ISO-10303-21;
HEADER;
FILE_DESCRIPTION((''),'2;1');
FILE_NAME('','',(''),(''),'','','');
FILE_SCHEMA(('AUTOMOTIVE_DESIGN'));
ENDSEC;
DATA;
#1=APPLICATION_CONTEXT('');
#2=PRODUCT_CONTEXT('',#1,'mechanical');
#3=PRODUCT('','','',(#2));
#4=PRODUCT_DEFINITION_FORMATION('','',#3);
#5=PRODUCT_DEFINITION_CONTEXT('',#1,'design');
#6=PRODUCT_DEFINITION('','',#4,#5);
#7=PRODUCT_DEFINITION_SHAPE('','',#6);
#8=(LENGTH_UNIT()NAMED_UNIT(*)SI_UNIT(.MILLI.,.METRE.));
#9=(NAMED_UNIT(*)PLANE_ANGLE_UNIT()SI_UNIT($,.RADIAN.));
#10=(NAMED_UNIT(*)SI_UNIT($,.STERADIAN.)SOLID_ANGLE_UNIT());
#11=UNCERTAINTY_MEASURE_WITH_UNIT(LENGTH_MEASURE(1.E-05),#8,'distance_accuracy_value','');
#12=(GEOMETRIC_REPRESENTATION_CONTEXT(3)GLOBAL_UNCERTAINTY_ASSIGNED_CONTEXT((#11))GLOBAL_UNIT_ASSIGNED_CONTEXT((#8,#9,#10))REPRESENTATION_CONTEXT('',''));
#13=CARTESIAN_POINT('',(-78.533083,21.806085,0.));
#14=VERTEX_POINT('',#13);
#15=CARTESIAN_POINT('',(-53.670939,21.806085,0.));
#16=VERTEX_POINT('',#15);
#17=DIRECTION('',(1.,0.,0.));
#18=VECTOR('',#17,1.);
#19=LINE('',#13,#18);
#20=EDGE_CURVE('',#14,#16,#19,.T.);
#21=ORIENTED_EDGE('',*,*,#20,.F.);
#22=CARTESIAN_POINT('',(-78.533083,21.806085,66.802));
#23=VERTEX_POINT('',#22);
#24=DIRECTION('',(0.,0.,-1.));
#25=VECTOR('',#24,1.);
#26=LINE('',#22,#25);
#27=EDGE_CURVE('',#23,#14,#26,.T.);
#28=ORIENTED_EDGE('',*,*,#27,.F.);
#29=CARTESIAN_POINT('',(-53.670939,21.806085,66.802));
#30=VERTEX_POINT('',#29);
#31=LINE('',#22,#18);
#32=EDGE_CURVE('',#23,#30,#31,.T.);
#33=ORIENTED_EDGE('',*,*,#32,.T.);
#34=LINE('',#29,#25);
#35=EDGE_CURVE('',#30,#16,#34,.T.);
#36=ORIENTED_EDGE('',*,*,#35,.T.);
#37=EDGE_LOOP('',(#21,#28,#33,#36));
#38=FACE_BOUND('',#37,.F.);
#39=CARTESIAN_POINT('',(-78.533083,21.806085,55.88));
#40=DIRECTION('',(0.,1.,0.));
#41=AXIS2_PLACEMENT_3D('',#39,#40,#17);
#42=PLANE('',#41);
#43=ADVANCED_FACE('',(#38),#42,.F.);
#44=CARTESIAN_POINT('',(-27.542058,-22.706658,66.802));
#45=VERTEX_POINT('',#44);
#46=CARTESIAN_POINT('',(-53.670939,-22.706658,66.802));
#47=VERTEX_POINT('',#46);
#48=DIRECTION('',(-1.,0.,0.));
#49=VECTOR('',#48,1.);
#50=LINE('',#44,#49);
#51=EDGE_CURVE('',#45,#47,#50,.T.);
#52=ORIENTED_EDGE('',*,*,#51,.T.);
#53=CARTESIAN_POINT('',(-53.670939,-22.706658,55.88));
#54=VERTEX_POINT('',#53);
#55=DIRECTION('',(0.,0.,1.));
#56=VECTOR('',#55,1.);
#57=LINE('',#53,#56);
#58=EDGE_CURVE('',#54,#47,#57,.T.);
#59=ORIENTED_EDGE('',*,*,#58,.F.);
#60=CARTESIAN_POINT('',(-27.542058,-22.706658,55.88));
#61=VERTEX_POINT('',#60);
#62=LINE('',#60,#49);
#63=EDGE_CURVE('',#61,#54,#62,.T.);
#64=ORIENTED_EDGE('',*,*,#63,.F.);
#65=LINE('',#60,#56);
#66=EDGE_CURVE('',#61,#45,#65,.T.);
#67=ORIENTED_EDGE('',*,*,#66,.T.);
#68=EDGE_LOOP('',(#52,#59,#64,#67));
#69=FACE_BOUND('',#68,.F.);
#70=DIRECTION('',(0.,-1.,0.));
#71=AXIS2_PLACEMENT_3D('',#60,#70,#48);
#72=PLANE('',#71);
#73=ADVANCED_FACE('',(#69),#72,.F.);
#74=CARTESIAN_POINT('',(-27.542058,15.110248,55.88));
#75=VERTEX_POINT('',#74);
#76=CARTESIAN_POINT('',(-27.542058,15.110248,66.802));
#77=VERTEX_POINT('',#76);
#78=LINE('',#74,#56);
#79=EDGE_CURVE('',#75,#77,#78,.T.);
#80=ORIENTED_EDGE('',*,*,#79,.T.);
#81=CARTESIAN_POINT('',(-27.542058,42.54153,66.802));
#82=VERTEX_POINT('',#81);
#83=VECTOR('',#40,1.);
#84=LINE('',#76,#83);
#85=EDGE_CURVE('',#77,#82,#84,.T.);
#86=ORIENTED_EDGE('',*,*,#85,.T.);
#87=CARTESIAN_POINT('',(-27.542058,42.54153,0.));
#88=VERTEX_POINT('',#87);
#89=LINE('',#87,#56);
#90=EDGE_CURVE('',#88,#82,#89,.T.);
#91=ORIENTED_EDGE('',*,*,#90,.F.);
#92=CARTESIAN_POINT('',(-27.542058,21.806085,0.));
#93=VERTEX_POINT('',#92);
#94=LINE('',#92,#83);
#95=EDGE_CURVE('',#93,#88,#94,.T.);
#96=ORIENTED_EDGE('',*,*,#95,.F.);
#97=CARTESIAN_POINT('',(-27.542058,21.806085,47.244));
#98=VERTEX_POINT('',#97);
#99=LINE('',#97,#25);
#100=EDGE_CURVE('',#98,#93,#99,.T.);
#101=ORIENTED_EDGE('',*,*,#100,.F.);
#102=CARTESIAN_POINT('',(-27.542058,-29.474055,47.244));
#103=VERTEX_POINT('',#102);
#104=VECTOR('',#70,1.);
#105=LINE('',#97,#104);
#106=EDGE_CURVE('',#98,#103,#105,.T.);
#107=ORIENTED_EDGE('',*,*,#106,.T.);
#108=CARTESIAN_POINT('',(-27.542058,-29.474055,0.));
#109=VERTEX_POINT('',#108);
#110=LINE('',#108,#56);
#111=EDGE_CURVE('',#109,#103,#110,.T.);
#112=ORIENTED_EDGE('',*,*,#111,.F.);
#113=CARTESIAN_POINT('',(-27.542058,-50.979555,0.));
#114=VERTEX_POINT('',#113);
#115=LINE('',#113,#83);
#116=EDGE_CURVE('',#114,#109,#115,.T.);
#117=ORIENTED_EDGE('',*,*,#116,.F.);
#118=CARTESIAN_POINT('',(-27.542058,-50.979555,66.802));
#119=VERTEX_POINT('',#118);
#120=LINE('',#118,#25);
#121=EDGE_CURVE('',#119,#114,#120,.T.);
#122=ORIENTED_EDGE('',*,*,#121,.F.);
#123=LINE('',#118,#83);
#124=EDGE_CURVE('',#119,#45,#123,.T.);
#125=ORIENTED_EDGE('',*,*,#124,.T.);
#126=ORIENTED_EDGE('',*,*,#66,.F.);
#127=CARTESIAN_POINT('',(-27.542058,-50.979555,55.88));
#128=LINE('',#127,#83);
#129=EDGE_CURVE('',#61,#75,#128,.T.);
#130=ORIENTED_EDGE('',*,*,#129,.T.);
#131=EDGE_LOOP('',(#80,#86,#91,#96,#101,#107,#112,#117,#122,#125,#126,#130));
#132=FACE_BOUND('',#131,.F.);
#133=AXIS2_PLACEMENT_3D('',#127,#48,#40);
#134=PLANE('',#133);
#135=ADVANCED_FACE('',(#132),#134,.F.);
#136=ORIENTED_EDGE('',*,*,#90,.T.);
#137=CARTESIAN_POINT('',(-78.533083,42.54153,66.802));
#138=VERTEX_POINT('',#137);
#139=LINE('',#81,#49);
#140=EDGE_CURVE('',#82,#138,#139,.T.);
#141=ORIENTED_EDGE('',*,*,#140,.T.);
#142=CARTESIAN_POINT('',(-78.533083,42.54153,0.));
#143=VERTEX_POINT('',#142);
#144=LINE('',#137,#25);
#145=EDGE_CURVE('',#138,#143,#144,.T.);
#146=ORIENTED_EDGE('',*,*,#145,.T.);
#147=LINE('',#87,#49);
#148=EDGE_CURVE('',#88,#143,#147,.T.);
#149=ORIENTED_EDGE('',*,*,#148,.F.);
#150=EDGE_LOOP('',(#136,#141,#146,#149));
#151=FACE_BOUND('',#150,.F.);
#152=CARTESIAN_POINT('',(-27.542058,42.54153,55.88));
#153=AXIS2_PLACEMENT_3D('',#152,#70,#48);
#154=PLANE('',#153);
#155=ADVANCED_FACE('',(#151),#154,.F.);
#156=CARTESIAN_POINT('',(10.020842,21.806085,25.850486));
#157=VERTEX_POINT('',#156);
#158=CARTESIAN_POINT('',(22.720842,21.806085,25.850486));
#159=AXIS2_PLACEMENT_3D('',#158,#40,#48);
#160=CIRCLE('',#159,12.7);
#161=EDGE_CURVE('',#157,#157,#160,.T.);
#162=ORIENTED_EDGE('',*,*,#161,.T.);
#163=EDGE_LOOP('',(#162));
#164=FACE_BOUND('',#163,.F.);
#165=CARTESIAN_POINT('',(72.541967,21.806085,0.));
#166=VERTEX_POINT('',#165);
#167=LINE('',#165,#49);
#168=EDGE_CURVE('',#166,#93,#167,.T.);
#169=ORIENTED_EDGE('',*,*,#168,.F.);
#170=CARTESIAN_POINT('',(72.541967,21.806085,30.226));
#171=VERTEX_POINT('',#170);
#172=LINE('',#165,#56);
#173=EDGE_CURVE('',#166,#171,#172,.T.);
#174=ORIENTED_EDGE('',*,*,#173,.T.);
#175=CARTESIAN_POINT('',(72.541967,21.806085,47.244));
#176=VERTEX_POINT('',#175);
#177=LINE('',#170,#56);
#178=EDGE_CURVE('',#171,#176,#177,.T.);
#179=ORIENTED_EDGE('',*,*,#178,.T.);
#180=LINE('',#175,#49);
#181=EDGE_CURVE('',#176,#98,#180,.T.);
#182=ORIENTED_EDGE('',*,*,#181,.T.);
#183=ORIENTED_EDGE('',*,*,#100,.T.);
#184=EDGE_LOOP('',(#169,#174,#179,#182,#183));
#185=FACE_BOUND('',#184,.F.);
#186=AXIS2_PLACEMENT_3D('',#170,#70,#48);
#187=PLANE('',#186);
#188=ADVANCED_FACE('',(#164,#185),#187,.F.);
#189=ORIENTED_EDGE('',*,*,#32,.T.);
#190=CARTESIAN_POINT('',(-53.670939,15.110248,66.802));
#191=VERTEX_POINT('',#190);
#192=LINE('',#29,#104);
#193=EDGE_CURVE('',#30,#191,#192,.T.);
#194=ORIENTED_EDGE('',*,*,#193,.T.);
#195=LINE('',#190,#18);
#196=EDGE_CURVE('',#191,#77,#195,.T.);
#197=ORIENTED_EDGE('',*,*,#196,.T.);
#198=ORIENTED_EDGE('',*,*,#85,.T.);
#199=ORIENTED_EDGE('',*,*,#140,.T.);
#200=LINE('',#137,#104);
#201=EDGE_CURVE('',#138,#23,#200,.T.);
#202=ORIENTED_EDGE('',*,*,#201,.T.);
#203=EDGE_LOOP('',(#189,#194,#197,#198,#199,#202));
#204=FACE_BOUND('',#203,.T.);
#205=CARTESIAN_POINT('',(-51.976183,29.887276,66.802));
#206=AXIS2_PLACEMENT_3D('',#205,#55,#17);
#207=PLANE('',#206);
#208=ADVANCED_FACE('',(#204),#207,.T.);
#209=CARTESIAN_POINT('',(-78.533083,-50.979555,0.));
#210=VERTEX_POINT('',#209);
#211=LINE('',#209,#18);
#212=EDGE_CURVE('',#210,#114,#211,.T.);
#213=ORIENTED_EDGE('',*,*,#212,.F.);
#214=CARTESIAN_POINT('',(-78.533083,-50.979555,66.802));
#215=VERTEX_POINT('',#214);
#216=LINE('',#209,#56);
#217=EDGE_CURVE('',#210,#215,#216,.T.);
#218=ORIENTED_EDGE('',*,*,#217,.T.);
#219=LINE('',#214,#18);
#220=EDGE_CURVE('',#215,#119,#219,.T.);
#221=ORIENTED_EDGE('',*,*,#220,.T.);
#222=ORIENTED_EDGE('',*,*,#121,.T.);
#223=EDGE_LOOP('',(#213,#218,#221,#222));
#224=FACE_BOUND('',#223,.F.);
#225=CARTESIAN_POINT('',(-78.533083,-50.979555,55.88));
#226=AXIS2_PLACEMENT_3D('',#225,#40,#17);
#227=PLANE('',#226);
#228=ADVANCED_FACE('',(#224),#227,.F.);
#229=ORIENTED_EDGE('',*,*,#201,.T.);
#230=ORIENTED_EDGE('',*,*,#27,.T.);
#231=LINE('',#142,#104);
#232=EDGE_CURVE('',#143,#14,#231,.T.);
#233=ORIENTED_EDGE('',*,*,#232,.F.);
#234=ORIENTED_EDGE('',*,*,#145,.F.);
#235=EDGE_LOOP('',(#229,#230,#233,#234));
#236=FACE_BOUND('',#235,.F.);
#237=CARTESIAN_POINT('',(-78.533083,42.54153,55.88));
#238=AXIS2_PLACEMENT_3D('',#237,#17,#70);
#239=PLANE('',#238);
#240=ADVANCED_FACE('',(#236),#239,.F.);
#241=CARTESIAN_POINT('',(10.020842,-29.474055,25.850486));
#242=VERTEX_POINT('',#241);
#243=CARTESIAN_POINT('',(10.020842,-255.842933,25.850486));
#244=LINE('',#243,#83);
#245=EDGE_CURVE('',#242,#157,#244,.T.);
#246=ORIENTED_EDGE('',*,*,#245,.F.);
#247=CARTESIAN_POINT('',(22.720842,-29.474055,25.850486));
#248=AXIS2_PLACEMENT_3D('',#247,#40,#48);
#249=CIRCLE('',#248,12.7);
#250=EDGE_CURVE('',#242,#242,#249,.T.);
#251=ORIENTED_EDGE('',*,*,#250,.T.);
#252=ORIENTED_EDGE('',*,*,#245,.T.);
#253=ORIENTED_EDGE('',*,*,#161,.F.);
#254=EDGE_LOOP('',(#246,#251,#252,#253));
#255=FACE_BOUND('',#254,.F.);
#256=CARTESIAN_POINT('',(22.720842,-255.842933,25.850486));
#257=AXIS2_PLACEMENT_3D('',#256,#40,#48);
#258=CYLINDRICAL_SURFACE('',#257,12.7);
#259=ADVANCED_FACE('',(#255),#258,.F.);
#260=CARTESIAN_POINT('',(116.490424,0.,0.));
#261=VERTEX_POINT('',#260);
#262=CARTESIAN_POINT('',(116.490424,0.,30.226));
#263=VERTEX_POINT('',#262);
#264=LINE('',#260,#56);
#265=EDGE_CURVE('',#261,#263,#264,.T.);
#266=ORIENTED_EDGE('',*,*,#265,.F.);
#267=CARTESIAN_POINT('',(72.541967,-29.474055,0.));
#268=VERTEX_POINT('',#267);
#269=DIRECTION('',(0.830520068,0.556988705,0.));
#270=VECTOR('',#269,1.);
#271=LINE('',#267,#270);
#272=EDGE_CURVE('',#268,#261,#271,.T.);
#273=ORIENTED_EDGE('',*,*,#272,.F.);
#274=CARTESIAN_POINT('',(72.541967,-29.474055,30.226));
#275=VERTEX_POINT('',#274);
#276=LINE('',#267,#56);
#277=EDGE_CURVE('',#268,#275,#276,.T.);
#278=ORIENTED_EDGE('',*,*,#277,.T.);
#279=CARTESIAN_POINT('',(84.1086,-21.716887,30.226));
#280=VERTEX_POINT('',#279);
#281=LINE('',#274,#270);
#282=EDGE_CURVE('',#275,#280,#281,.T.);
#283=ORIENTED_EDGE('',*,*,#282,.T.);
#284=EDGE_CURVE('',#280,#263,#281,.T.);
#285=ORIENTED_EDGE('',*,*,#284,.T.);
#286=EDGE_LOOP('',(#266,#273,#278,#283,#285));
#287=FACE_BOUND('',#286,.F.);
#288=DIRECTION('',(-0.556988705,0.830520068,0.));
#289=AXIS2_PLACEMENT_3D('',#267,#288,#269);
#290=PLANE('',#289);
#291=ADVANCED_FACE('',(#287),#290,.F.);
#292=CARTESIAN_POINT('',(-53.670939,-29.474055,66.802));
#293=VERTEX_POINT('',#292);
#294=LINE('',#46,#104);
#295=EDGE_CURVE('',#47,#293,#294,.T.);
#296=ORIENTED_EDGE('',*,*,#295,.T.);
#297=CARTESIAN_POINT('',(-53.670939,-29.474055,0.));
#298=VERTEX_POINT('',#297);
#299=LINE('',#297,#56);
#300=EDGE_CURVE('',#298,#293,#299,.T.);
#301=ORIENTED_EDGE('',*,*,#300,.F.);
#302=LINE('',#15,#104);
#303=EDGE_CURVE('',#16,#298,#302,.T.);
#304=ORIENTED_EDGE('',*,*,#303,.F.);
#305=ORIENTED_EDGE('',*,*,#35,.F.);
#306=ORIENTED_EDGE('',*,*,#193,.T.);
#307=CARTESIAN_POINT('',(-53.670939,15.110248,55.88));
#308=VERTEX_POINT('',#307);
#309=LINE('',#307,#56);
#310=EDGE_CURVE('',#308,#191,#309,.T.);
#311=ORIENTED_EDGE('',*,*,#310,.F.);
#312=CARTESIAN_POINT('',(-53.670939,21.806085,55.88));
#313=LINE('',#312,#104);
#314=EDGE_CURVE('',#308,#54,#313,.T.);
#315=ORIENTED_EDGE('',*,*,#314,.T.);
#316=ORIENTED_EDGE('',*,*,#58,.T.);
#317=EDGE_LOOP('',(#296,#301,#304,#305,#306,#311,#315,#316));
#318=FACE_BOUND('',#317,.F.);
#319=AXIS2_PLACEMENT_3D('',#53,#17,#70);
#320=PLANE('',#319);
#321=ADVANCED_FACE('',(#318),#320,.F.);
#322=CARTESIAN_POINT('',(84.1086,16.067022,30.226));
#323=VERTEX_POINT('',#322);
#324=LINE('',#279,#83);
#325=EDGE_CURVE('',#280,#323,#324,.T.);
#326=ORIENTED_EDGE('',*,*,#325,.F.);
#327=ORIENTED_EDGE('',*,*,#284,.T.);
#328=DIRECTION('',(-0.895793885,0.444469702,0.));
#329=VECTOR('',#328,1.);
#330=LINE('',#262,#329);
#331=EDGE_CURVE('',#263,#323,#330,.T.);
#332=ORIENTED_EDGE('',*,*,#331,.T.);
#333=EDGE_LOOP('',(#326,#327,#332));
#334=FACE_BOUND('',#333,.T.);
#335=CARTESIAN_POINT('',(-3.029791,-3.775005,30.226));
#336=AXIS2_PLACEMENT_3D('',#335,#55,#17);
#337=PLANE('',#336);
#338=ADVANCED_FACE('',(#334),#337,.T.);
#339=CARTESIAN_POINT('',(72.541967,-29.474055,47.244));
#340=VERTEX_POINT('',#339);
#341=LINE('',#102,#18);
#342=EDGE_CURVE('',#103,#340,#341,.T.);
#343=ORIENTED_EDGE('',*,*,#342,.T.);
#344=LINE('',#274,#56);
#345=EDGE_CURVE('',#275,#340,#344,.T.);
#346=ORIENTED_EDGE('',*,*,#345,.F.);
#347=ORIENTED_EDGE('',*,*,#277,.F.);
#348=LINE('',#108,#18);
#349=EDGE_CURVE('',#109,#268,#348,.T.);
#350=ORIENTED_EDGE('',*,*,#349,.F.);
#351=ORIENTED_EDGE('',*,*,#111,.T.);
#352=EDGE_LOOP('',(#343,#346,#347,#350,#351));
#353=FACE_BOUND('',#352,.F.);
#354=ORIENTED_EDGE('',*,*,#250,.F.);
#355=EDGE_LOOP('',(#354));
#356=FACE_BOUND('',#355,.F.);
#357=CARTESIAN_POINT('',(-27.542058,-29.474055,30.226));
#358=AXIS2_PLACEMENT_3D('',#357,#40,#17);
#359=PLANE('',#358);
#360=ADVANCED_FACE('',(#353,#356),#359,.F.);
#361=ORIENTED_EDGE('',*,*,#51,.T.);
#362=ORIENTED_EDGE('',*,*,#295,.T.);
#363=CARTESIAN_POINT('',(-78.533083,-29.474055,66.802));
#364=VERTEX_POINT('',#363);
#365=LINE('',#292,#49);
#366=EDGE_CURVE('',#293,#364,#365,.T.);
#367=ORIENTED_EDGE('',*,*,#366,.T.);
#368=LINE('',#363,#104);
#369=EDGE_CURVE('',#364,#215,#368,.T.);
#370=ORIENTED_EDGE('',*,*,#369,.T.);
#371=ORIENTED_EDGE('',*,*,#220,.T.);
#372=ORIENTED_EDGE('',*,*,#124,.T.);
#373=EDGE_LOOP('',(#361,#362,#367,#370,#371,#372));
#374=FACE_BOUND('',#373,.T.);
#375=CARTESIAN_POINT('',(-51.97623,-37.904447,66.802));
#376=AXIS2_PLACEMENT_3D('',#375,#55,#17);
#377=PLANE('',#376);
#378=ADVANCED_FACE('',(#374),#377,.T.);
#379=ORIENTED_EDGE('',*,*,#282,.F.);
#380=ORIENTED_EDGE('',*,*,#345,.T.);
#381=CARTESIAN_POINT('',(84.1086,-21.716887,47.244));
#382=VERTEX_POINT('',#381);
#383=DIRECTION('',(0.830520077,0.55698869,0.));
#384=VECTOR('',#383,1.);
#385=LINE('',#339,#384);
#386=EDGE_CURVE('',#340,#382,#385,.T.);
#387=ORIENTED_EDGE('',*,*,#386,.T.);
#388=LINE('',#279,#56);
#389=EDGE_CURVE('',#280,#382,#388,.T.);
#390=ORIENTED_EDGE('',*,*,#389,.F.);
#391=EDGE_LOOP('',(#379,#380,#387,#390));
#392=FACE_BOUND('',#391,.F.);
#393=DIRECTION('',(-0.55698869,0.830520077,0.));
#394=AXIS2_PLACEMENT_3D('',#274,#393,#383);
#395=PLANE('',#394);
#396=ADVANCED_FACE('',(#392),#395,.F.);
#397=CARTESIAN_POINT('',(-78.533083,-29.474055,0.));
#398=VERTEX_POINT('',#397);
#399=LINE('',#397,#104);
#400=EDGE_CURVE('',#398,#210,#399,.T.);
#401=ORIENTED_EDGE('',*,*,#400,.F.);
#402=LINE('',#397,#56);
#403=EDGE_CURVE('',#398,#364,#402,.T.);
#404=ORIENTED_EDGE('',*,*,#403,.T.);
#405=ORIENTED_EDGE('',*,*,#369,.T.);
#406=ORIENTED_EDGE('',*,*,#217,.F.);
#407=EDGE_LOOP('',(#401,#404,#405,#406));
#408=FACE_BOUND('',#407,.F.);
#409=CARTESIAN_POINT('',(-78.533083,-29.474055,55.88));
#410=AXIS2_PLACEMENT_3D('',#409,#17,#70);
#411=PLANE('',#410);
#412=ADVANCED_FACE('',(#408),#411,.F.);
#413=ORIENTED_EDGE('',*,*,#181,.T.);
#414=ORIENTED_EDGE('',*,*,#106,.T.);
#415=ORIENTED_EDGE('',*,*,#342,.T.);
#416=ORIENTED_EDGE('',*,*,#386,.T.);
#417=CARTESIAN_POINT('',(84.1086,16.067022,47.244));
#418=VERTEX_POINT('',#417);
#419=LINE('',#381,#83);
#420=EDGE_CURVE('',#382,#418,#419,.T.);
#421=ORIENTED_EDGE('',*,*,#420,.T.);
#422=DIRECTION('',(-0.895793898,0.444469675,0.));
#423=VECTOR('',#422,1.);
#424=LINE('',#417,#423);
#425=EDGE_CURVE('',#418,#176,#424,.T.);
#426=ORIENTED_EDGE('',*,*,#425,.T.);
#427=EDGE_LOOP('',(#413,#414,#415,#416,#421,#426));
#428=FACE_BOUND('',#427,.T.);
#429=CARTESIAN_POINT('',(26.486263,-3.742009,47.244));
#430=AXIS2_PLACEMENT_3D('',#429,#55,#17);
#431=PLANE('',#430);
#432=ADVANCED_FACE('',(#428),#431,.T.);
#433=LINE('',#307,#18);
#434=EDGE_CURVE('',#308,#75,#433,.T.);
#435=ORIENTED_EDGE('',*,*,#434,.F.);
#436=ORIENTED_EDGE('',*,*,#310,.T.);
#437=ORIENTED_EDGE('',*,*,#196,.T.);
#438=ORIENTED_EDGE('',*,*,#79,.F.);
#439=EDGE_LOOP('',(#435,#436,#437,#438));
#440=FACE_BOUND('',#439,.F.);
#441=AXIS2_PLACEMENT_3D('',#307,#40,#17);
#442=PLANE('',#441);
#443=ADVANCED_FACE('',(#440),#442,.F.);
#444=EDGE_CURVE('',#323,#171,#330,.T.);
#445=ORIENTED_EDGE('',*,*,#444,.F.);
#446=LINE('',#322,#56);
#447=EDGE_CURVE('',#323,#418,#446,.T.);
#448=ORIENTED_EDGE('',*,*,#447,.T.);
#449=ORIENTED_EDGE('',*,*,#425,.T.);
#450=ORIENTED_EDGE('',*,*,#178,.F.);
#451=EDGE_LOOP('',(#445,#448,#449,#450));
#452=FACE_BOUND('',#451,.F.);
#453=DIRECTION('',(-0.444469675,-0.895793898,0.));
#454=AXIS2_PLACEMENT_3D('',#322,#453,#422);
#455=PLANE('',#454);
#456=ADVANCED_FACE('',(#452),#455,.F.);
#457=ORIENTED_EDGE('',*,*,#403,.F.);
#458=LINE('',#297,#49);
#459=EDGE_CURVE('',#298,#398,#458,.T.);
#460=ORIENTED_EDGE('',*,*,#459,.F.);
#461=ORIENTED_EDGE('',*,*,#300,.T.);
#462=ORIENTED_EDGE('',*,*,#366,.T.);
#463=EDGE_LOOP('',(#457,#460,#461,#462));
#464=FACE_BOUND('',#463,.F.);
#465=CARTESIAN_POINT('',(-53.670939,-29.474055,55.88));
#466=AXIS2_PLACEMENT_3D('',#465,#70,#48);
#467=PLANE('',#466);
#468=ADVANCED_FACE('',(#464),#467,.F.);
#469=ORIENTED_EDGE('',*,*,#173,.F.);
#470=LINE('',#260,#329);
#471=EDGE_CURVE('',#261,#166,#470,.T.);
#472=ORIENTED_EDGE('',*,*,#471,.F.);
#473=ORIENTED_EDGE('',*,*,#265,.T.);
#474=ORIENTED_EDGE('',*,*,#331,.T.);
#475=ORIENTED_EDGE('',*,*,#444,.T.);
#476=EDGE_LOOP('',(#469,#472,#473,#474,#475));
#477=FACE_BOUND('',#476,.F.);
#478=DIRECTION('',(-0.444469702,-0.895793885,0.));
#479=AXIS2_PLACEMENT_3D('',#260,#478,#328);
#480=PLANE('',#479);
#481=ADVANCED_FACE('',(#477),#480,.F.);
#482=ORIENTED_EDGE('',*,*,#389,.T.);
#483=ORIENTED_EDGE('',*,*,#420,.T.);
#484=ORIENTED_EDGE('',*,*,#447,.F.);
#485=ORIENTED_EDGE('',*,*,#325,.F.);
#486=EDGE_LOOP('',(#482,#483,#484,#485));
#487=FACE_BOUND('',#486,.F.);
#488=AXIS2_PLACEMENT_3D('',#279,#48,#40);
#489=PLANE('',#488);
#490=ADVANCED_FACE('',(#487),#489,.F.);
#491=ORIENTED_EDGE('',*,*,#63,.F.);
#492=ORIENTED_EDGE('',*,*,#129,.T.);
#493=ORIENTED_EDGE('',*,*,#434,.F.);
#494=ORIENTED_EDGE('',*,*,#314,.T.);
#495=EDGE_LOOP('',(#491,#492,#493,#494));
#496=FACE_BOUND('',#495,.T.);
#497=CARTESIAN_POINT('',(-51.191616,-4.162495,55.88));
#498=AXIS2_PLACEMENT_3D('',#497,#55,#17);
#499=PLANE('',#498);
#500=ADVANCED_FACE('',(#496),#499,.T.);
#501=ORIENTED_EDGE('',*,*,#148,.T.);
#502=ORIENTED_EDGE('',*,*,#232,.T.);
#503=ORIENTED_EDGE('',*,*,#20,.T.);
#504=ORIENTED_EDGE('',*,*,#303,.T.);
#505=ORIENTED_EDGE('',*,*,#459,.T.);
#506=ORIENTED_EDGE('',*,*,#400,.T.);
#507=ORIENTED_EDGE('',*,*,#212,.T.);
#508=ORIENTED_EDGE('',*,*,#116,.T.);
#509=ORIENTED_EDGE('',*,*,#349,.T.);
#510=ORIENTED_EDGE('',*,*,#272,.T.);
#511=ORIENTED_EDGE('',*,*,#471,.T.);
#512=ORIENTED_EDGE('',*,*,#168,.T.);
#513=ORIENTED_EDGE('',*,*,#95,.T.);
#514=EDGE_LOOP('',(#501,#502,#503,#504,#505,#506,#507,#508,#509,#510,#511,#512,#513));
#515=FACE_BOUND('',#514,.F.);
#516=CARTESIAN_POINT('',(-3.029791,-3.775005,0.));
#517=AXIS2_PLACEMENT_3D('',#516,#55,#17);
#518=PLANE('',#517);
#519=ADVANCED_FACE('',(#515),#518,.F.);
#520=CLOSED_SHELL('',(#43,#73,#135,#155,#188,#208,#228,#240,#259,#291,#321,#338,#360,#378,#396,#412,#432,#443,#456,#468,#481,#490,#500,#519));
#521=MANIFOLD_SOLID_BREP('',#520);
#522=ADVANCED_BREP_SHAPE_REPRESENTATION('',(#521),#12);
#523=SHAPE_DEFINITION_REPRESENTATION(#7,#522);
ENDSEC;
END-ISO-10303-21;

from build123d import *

# Parameters (mm, degrees)
F1_DEPTH = 30.226
F3_DEPTH = 17.018
F5_DEPTH = 25.654
F7_DEPTH = 10.922
F9_DEPTH = 10.922
F11_D    = 25.4


with BuildPart() as f1:
    # F0 (on Top) → F1 (new body)
    with BuildSketch(Plane.XY):
        Polygon((-27.542058, -29.474055), (-13.702727, -29.474055), (72.541967, -29.474055), (116.490424, 0), (72.541967, 21.806085), (-27.542058, 21.806085), (-27.542058, 42.54153), (-78.533083, 42.54153), (-78.533083, 21.806085), (-61.017197, 21.806085), (-53.670939, 21.806085), (-53.670939, -29.474055), (-78.533083, -29.474055), (-78.533083, -50.979555), (-27.542058, -50.979555), align=None)
    extrude(amount=F1_DEPTH)

    # F2 (on face) → F3 (join)
    with BuildSketch(Plane.XY.offset(30.226)):
        Polygon((84.1086, -21.716887), (84.1086, 16.067022), (72.541967, 21.806085), (-27.542058, 21.806085), (-27.542058, -29.474055), (72.541967, -29.474055), align=None)
    extrude(amount=F3_DEPTH)

    # F4 (on face) → F5 (join)
    with BuildSketch(Plane.XY.offset(30.226)):
        Polygon((-27.542058, 42.54153), (-78.533083, 42.54153), (-78.533083, 21.806085), (-53.670939, 21.806085), (-53.670939, -29.474055), (-78.533083, -29.474055), (-78.533083, -50.979555), (-27.542058, -50.979555), align=None)
    extrude(amount=F5_DEPTH)

    # F6 (on face) → F7 (join)
    with BuildSketch(Plane.XY.offset(55.88)):
        Polygon((-53.670939, 21.806085), (-53.670939, 15.110248), (-27.542058, 15.110248), (-27.542058, 42.54153), (-78.533083, 42.54153), (-78.533083, 21.806085), align=None)
    extrude(amount=F7_DEPTH)

    # F8 (on face) → F9 (join)
    with BuildSketch(Plane.XY.offset(55.88)):
        Polygon((-53.670939, -22.706658), (-53.670939, -29.474055), (-78.533083, -29.474055), (-78.533083, -50.979555), (-27.542058, -50.979555), (-27.542058, -22.706658), align=None)
    extrude(amount=F9_DEPTH)

    # F11 (through all)
    with Locations(Plane.XZ.offset(29.474055)):
        with Locations((22.720842, 25.850486)):
            Hole(F11_D / 2)


solid = f1.part
